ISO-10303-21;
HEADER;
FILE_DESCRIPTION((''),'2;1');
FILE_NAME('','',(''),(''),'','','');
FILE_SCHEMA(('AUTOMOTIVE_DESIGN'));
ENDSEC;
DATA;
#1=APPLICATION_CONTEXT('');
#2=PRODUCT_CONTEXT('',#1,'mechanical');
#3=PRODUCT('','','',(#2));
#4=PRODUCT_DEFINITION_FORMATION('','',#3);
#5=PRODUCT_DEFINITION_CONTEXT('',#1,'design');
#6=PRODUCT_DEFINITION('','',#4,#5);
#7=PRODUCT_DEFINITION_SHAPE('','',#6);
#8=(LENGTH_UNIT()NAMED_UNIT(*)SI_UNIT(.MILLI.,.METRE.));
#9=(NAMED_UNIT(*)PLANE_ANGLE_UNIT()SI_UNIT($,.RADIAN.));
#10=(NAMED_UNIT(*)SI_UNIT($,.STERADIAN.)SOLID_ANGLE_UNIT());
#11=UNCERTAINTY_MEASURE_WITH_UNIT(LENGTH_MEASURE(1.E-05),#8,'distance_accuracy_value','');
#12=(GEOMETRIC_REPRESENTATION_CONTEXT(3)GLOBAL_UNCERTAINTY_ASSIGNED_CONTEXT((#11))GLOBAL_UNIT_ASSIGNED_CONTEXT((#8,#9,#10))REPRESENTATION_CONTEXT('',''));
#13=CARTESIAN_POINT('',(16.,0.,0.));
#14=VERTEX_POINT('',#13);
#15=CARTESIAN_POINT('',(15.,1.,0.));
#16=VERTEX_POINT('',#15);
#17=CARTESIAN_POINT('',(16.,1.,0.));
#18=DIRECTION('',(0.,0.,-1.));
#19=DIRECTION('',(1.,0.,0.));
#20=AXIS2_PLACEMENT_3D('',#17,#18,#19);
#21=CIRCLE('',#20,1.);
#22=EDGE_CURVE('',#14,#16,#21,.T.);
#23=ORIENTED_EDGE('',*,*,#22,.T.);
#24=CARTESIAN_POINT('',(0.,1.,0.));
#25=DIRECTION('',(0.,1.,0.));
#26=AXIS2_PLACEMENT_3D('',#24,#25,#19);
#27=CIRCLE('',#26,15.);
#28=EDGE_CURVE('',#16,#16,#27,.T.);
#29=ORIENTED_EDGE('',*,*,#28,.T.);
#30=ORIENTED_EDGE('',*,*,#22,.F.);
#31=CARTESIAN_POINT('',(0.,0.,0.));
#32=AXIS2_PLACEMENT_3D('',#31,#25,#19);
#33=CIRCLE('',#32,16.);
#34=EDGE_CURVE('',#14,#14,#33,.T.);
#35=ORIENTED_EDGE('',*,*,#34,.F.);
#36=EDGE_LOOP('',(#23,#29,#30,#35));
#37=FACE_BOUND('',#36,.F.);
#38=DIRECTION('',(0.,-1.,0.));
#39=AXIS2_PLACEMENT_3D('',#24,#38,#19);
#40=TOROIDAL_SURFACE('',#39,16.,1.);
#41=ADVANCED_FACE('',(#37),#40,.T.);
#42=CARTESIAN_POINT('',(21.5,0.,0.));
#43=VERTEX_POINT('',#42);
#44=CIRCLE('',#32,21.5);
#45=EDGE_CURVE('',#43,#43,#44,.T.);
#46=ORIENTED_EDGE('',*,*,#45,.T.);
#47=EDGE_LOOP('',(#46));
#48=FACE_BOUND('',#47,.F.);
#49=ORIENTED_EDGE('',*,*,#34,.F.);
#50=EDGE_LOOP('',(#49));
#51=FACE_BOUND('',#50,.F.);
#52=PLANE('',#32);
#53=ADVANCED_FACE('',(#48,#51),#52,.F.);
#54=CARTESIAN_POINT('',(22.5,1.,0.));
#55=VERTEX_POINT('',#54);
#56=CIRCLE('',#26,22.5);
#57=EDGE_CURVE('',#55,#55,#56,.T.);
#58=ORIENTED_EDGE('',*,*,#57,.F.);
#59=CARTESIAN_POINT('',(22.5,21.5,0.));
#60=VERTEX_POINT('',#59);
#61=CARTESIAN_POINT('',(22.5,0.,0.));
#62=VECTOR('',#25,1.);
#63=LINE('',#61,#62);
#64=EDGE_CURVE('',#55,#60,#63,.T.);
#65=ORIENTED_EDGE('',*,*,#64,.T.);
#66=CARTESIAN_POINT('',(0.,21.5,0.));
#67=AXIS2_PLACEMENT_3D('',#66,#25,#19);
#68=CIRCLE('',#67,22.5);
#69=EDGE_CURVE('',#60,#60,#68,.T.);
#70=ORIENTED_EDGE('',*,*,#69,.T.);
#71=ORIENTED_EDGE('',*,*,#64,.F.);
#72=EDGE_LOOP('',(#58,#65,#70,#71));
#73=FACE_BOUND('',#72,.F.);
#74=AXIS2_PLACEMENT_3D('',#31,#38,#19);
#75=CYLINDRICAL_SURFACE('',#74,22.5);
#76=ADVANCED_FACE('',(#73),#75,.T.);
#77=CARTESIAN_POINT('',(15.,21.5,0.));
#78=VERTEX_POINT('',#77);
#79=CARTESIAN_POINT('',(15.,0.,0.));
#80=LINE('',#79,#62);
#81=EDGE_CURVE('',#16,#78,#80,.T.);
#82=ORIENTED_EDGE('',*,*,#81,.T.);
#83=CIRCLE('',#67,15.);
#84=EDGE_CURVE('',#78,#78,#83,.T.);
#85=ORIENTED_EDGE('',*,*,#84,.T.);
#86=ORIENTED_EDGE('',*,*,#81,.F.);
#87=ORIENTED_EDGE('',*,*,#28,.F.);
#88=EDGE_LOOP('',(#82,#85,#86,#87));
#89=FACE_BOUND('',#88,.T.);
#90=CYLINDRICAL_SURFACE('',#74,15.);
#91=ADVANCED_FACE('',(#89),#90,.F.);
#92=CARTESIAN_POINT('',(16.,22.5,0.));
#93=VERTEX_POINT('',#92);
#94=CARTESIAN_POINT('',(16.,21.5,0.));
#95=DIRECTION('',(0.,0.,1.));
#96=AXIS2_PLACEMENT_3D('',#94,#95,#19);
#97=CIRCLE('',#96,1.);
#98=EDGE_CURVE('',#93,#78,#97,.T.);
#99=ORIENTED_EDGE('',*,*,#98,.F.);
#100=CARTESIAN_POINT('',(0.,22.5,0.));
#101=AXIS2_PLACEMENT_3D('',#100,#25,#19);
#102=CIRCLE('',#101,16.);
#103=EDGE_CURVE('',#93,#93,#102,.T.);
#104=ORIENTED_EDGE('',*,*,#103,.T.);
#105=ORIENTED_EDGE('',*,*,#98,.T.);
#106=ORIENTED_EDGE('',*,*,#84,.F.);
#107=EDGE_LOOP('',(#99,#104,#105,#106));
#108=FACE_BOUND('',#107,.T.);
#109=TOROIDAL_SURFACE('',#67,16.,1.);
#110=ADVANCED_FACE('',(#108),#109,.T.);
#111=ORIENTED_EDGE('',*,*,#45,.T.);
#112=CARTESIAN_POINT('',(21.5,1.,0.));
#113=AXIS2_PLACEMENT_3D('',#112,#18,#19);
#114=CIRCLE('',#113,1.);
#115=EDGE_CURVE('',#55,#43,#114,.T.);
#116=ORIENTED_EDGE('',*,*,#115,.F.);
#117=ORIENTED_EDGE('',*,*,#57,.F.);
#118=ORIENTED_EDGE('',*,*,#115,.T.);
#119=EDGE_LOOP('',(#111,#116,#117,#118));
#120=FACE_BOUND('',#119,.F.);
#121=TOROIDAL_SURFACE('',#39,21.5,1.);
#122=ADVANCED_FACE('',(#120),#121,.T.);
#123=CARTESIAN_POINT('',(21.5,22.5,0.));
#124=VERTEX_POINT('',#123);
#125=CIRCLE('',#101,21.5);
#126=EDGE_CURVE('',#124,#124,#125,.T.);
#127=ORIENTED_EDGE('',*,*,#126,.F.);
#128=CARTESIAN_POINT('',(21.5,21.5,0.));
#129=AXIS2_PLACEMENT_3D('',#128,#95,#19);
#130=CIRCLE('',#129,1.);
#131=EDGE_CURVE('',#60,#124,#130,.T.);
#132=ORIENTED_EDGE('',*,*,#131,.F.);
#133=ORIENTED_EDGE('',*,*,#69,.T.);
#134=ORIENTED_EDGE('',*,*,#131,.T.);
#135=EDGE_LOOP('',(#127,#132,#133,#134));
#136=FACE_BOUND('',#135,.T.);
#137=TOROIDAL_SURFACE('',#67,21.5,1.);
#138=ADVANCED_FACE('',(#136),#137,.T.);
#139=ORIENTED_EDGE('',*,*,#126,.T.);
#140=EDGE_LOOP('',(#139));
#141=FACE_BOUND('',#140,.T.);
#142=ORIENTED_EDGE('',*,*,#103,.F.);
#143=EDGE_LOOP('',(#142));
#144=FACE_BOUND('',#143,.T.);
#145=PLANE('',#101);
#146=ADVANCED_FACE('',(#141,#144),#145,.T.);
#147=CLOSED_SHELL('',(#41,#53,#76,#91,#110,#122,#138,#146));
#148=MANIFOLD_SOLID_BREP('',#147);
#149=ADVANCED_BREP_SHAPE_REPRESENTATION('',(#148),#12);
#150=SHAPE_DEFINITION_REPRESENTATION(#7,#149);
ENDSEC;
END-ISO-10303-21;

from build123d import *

# Parameters (mm, degrees)
SKETCH_1_R      = 22.5
SKETCH_1_R_2    = 15
EXTRUDE_1_DEPTH = 22.5
FILLET_1_R      = 1
FILLET_2_R      = 1


with BuildPart() as part:
    # 草图1 → 凸台-拉伸1 (new body)
    with BuildSketch(Plane(origin=(0, 0, 0), x_dir=(1, 0, 0), z_dir=(0, 1, 0))):
        Circle(SKETCH_1_R)
        Circle(SKETCH_1_R_2, mode=Mode.SUBTRACT)
    extrude(amount=EXTRUDE_1_DEPTH)

    # 圆角1
    fillet_1_edges = [part.edges().sort_by_distance(p)[0] for p in [
        (-22.5, 22.5, 0),
    ]]
    fillet(fillet_1_edges, radius=FILLET_1_R)

    # 圆角2
    fillet_2_edges = [part.edges().sort_by_distance(p)[0] for p in [
        (-22.5, 0, 0),
        (-15, 0, 0),
        (-15, 22.5, 0),
    ]]
    fillet(fillet_2_edges, radius=FILLET_2_R)


solid = part.part
